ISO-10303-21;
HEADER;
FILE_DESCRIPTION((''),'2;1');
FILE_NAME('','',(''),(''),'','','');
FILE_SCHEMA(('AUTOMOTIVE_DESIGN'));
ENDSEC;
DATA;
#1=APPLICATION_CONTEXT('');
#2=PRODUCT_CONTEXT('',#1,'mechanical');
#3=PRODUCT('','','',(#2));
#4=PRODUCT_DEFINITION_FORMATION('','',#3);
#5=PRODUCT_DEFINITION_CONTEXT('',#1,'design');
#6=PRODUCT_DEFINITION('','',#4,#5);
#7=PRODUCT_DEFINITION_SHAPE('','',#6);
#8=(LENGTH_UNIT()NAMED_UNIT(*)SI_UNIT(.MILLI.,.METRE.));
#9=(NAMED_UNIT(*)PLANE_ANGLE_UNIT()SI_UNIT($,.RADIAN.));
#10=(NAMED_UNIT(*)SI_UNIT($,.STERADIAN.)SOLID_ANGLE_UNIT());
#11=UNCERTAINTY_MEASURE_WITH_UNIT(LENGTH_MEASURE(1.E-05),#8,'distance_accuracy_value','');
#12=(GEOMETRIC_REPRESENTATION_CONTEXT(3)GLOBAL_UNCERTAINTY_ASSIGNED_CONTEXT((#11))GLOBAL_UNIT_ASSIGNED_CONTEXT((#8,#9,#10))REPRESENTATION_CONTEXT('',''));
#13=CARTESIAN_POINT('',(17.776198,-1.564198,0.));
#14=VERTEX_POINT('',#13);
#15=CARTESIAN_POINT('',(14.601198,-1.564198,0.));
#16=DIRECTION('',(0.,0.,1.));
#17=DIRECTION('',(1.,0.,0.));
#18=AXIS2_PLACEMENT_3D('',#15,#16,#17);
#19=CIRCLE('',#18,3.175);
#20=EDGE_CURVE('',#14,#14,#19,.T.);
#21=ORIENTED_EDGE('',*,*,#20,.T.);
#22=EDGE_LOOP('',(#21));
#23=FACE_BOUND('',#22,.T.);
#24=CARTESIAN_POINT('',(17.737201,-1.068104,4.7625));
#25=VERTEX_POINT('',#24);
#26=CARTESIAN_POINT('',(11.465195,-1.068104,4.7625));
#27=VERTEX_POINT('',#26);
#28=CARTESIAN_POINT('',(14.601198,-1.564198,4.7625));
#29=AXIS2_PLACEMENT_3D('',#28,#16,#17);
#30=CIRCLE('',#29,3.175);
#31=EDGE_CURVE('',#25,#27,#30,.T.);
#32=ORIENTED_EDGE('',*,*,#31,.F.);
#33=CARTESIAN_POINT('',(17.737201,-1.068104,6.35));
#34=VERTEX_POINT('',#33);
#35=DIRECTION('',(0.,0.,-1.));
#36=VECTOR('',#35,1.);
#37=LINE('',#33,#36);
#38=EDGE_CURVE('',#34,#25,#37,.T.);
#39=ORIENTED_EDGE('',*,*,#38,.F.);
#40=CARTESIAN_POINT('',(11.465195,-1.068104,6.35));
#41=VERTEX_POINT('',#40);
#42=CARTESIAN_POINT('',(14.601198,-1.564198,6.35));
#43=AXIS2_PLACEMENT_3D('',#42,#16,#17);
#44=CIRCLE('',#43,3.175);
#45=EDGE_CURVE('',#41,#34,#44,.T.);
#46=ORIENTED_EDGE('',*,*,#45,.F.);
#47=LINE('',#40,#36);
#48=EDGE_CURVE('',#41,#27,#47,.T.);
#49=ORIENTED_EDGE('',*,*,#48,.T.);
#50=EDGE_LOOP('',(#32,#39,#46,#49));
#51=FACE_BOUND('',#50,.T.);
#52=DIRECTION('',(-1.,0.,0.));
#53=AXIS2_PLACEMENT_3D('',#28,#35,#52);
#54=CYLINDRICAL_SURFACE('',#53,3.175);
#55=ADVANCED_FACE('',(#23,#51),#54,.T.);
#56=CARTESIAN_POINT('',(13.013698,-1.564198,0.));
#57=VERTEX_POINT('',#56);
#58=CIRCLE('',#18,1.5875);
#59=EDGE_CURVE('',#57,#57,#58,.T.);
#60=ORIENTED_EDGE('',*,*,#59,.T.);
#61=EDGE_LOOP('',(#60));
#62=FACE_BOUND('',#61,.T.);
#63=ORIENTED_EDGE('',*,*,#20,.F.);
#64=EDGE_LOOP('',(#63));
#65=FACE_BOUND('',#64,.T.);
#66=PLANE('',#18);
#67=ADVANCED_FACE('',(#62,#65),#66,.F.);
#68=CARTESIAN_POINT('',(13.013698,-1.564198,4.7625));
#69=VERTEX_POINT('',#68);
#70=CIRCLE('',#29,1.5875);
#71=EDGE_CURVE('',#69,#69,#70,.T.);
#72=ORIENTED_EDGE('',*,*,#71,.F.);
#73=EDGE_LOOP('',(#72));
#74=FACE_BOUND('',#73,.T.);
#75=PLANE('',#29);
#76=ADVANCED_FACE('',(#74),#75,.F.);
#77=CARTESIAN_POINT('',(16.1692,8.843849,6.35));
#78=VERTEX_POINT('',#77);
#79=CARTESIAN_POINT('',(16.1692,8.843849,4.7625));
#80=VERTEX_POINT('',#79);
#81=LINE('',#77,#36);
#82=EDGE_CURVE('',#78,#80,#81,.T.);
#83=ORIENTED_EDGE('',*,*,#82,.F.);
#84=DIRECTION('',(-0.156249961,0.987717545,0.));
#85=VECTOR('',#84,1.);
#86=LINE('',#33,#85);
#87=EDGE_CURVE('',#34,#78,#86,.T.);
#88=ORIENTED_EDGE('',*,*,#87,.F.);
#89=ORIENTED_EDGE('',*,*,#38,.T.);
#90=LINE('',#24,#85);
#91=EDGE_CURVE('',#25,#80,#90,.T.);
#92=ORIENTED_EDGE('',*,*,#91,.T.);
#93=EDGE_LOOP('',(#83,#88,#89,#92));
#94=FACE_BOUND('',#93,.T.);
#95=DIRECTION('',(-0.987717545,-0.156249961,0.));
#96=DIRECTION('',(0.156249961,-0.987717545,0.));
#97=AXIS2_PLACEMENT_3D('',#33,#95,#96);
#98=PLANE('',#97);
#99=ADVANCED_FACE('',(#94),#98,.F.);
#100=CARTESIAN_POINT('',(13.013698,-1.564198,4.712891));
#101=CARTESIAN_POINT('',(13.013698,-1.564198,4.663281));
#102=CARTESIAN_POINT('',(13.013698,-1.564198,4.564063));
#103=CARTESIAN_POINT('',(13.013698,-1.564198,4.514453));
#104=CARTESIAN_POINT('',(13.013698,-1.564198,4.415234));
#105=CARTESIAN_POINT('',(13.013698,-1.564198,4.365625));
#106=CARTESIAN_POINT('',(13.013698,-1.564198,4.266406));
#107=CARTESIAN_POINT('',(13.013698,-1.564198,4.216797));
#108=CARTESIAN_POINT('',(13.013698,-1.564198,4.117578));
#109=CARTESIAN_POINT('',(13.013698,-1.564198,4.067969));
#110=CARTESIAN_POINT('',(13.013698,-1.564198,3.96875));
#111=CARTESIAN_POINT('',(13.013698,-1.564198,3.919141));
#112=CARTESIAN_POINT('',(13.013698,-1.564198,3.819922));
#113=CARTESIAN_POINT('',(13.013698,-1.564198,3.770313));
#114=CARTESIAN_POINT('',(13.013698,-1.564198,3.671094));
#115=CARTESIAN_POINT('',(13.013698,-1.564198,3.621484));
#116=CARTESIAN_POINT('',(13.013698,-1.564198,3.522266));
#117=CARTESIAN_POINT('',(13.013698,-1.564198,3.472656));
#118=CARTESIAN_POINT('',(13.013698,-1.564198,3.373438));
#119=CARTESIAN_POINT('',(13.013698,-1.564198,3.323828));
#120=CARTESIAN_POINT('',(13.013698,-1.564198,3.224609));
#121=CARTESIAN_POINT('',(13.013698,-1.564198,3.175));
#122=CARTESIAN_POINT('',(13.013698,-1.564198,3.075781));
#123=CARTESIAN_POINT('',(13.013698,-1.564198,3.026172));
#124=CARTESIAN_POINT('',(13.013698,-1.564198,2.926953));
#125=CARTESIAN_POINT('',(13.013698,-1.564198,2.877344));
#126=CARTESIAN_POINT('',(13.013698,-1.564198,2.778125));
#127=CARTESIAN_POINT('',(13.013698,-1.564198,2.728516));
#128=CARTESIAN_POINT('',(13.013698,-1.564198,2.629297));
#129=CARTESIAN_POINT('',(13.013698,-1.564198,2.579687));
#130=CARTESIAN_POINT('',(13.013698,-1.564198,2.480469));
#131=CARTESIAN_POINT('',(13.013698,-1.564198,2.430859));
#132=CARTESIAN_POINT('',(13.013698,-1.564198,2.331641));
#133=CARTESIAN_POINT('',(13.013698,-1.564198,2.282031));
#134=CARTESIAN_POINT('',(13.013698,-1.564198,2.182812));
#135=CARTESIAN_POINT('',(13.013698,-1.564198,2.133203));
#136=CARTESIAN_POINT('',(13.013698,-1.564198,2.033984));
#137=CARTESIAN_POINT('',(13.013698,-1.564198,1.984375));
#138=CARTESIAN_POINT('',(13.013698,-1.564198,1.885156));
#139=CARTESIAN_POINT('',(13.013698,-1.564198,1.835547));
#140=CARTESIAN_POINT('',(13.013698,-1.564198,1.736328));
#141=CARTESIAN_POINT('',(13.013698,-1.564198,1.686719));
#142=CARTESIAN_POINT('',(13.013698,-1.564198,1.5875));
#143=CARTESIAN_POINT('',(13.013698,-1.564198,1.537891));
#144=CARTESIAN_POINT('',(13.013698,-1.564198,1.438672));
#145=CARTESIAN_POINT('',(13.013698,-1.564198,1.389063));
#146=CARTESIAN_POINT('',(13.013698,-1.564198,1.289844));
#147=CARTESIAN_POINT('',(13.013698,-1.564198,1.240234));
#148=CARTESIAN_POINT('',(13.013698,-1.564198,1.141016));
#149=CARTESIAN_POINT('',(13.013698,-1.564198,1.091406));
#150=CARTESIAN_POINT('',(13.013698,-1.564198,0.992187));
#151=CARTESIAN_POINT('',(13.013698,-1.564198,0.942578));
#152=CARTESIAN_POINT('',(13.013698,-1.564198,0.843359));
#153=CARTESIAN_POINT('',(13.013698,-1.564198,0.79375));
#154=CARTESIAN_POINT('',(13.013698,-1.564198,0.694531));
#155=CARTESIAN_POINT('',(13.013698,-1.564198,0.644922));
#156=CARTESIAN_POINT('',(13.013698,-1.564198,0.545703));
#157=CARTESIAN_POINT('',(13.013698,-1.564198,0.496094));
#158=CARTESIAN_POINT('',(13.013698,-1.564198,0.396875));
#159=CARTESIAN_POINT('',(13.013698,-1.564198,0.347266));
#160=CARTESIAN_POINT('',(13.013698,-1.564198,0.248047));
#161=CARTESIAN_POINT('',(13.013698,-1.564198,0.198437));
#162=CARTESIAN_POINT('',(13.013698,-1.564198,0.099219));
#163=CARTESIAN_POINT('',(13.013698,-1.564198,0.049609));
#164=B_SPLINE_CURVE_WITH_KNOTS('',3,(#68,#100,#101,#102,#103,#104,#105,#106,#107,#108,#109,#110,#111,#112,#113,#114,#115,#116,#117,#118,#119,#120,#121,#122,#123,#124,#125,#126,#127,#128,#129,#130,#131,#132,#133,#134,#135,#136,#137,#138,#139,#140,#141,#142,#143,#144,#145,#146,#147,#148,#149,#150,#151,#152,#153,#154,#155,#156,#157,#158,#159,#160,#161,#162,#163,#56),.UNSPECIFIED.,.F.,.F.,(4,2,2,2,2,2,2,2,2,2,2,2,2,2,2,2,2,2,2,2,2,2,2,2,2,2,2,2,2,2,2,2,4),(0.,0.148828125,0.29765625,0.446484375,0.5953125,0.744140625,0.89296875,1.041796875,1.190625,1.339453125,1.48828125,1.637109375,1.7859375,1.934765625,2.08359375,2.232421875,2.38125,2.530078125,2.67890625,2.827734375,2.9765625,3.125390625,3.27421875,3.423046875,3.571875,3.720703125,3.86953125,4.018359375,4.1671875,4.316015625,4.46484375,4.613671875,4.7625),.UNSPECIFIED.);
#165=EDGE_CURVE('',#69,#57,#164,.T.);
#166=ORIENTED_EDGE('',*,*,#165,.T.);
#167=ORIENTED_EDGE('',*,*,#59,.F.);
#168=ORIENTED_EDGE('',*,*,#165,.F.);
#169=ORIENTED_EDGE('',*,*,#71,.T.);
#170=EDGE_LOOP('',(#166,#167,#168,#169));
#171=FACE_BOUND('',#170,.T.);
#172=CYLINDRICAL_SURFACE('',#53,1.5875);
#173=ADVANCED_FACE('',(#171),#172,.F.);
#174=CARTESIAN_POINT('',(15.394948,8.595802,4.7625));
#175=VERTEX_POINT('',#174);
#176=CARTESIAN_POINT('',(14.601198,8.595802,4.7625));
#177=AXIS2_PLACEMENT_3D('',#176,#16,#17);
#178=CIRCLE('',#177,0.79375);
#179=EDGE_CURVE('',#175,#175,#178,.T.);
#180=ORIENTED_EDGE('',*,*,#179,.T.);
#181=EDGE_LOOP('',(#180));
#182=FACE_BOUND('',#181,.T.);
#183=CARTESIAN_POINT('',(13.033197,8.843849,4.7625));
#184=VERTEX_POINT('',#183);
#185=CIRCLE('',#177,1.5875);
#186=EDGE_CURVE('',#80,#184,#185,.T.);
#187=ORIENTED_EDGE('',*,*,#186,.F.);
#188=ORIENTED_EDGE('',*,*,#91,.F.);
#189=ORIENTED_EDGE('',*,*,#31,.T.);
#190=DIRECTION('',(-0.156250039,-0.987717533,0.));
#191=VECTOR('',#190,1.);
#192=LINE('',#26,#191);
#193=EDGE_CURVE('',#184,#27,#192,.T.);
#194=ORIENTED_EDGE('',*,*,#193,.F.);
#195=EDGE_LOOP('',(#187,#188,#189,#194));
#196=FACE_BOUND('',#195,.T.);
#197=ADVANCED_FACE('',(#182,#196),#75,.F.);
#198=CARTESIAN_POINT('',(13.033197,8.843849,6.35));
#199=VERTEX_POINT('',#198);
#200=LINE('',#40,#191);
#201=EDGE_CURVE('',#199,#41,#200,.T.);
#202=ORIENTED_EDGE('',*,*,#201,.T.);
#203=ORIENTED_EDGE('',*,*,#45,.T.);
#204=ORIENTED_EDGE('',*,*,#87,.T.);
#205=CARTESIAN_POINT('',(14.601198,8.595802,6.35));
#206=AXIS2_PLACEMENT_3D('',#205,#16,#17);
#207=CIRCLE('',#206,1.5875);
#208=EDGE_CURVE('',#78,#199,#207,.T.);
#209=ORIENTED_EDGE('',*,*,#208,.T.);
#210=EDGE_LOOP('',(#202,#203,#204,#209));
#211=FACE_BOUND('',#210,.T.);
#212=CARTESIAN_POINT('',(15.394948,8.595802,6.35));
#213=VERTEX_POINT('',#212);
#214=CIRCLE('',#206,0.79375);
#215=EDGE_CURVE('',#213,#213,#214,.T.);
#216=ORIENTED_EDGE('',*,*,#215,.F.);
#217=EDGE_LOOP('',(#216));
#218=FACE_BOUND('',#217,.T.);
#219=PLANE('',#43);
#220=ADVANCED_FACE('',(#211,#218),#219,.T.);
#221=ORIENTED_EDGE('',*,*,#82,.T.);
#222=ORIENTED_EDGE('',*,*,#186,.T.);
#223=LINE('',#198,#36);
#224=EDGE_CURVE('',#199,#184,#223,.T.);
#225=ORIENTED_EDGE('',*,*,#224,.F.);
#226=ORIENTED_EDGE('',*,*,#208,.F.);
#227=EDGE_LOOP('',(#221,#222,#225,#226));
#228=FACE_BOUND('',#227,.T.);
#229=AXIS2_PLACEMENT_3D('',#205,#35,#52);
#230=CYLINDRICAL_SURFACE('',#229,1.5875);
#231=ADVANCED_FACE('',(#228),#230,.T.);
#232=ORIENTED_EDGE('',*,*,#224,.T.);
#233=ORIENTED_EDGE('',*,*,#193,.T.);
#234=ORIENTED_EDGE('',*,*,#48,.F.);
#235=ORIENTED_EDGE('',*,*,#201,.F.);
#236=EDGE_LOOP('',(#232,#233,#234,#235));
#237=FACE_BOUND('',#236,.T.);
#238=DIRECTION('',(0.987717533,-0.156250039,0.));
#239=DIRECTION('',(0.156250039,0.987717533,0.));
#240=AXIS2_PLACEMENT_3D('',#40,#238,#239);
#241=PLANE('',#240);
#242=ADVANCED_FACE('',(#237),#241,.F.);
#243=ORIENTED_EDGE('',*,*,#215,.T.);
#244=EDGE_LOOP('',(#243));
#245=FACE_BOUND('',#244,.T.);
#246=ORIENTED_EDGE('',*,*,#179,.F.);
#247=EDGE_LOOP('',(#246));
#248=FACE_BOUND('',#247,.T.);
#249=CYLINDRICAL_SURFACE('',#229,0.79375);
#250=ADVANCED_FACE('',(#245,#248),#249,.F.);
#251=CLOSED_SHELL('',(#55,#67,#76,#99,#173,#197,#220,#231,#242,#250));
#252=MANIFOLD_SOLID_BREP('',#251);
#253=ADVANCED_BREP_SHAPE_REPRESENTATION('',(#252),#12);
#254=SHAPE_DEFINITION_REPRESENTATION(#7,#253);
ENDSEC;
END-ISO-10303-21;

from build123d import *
from build123d.topology import SkipClean

# Parameters (mm, degrees)
SKETCH1_R           = 3.175
SKETCH1_R_2         = 1.5875
BOSS_EXTRUDE1_DEPTH = 4.7625
SKETCH2_R           = 0.79375
BOSS_EXTRUDE2_DEPTH = 1.5875


with BuildPart() as part:
    # Sketch1 → Boss-Extrude1 (new body)
    with BuildSketch(Plane.XY):
        with Locations(Location((14.60119787, -1.564197578, 0), (0, 0, 180))):
            Circle(SKETCH1_R)
        with Locations(Location((14.60119787, -1.564197578, 0), (0, 0, 180))):
            Circle(SKETCH1_R_2, mode=Mode.SUBTRACT)
    extrude(amount=BOSS_EXTRUDE1_DEPTH)

    # Sketch2 → Boss-Extrude2 (add)
    with SkipClean():  # the faces are left unmerged after this step: merging them gives an invalid solid
        with BuildSketch(Plane.XY.offset(4.7625)):
            with BuildLine():
                Line((11.465194702, -1.068103704), (13.033196686, 8.843849359))
                ThreePointArc((13.033196686, 8.843849359), (14.60119833, 10.183302422), (16.169199873, 8.843849241))
                Line((16.169199873, 8.843849241), (17.737201077, -1.068103951))
                ThreePointArc((17.737201077, -1.068103951), (14.601197744, -4.739197578), (11.465194702, -1.068103704))
            make_face()
            with Locations((14.60119827, 8.595802422)):
                Circle(SKETCH2_R, mode=Mode.SUBTRACT)
        extrude(amount=BOSS_EXTRUDE2_DEPTH)


solid = part.part
